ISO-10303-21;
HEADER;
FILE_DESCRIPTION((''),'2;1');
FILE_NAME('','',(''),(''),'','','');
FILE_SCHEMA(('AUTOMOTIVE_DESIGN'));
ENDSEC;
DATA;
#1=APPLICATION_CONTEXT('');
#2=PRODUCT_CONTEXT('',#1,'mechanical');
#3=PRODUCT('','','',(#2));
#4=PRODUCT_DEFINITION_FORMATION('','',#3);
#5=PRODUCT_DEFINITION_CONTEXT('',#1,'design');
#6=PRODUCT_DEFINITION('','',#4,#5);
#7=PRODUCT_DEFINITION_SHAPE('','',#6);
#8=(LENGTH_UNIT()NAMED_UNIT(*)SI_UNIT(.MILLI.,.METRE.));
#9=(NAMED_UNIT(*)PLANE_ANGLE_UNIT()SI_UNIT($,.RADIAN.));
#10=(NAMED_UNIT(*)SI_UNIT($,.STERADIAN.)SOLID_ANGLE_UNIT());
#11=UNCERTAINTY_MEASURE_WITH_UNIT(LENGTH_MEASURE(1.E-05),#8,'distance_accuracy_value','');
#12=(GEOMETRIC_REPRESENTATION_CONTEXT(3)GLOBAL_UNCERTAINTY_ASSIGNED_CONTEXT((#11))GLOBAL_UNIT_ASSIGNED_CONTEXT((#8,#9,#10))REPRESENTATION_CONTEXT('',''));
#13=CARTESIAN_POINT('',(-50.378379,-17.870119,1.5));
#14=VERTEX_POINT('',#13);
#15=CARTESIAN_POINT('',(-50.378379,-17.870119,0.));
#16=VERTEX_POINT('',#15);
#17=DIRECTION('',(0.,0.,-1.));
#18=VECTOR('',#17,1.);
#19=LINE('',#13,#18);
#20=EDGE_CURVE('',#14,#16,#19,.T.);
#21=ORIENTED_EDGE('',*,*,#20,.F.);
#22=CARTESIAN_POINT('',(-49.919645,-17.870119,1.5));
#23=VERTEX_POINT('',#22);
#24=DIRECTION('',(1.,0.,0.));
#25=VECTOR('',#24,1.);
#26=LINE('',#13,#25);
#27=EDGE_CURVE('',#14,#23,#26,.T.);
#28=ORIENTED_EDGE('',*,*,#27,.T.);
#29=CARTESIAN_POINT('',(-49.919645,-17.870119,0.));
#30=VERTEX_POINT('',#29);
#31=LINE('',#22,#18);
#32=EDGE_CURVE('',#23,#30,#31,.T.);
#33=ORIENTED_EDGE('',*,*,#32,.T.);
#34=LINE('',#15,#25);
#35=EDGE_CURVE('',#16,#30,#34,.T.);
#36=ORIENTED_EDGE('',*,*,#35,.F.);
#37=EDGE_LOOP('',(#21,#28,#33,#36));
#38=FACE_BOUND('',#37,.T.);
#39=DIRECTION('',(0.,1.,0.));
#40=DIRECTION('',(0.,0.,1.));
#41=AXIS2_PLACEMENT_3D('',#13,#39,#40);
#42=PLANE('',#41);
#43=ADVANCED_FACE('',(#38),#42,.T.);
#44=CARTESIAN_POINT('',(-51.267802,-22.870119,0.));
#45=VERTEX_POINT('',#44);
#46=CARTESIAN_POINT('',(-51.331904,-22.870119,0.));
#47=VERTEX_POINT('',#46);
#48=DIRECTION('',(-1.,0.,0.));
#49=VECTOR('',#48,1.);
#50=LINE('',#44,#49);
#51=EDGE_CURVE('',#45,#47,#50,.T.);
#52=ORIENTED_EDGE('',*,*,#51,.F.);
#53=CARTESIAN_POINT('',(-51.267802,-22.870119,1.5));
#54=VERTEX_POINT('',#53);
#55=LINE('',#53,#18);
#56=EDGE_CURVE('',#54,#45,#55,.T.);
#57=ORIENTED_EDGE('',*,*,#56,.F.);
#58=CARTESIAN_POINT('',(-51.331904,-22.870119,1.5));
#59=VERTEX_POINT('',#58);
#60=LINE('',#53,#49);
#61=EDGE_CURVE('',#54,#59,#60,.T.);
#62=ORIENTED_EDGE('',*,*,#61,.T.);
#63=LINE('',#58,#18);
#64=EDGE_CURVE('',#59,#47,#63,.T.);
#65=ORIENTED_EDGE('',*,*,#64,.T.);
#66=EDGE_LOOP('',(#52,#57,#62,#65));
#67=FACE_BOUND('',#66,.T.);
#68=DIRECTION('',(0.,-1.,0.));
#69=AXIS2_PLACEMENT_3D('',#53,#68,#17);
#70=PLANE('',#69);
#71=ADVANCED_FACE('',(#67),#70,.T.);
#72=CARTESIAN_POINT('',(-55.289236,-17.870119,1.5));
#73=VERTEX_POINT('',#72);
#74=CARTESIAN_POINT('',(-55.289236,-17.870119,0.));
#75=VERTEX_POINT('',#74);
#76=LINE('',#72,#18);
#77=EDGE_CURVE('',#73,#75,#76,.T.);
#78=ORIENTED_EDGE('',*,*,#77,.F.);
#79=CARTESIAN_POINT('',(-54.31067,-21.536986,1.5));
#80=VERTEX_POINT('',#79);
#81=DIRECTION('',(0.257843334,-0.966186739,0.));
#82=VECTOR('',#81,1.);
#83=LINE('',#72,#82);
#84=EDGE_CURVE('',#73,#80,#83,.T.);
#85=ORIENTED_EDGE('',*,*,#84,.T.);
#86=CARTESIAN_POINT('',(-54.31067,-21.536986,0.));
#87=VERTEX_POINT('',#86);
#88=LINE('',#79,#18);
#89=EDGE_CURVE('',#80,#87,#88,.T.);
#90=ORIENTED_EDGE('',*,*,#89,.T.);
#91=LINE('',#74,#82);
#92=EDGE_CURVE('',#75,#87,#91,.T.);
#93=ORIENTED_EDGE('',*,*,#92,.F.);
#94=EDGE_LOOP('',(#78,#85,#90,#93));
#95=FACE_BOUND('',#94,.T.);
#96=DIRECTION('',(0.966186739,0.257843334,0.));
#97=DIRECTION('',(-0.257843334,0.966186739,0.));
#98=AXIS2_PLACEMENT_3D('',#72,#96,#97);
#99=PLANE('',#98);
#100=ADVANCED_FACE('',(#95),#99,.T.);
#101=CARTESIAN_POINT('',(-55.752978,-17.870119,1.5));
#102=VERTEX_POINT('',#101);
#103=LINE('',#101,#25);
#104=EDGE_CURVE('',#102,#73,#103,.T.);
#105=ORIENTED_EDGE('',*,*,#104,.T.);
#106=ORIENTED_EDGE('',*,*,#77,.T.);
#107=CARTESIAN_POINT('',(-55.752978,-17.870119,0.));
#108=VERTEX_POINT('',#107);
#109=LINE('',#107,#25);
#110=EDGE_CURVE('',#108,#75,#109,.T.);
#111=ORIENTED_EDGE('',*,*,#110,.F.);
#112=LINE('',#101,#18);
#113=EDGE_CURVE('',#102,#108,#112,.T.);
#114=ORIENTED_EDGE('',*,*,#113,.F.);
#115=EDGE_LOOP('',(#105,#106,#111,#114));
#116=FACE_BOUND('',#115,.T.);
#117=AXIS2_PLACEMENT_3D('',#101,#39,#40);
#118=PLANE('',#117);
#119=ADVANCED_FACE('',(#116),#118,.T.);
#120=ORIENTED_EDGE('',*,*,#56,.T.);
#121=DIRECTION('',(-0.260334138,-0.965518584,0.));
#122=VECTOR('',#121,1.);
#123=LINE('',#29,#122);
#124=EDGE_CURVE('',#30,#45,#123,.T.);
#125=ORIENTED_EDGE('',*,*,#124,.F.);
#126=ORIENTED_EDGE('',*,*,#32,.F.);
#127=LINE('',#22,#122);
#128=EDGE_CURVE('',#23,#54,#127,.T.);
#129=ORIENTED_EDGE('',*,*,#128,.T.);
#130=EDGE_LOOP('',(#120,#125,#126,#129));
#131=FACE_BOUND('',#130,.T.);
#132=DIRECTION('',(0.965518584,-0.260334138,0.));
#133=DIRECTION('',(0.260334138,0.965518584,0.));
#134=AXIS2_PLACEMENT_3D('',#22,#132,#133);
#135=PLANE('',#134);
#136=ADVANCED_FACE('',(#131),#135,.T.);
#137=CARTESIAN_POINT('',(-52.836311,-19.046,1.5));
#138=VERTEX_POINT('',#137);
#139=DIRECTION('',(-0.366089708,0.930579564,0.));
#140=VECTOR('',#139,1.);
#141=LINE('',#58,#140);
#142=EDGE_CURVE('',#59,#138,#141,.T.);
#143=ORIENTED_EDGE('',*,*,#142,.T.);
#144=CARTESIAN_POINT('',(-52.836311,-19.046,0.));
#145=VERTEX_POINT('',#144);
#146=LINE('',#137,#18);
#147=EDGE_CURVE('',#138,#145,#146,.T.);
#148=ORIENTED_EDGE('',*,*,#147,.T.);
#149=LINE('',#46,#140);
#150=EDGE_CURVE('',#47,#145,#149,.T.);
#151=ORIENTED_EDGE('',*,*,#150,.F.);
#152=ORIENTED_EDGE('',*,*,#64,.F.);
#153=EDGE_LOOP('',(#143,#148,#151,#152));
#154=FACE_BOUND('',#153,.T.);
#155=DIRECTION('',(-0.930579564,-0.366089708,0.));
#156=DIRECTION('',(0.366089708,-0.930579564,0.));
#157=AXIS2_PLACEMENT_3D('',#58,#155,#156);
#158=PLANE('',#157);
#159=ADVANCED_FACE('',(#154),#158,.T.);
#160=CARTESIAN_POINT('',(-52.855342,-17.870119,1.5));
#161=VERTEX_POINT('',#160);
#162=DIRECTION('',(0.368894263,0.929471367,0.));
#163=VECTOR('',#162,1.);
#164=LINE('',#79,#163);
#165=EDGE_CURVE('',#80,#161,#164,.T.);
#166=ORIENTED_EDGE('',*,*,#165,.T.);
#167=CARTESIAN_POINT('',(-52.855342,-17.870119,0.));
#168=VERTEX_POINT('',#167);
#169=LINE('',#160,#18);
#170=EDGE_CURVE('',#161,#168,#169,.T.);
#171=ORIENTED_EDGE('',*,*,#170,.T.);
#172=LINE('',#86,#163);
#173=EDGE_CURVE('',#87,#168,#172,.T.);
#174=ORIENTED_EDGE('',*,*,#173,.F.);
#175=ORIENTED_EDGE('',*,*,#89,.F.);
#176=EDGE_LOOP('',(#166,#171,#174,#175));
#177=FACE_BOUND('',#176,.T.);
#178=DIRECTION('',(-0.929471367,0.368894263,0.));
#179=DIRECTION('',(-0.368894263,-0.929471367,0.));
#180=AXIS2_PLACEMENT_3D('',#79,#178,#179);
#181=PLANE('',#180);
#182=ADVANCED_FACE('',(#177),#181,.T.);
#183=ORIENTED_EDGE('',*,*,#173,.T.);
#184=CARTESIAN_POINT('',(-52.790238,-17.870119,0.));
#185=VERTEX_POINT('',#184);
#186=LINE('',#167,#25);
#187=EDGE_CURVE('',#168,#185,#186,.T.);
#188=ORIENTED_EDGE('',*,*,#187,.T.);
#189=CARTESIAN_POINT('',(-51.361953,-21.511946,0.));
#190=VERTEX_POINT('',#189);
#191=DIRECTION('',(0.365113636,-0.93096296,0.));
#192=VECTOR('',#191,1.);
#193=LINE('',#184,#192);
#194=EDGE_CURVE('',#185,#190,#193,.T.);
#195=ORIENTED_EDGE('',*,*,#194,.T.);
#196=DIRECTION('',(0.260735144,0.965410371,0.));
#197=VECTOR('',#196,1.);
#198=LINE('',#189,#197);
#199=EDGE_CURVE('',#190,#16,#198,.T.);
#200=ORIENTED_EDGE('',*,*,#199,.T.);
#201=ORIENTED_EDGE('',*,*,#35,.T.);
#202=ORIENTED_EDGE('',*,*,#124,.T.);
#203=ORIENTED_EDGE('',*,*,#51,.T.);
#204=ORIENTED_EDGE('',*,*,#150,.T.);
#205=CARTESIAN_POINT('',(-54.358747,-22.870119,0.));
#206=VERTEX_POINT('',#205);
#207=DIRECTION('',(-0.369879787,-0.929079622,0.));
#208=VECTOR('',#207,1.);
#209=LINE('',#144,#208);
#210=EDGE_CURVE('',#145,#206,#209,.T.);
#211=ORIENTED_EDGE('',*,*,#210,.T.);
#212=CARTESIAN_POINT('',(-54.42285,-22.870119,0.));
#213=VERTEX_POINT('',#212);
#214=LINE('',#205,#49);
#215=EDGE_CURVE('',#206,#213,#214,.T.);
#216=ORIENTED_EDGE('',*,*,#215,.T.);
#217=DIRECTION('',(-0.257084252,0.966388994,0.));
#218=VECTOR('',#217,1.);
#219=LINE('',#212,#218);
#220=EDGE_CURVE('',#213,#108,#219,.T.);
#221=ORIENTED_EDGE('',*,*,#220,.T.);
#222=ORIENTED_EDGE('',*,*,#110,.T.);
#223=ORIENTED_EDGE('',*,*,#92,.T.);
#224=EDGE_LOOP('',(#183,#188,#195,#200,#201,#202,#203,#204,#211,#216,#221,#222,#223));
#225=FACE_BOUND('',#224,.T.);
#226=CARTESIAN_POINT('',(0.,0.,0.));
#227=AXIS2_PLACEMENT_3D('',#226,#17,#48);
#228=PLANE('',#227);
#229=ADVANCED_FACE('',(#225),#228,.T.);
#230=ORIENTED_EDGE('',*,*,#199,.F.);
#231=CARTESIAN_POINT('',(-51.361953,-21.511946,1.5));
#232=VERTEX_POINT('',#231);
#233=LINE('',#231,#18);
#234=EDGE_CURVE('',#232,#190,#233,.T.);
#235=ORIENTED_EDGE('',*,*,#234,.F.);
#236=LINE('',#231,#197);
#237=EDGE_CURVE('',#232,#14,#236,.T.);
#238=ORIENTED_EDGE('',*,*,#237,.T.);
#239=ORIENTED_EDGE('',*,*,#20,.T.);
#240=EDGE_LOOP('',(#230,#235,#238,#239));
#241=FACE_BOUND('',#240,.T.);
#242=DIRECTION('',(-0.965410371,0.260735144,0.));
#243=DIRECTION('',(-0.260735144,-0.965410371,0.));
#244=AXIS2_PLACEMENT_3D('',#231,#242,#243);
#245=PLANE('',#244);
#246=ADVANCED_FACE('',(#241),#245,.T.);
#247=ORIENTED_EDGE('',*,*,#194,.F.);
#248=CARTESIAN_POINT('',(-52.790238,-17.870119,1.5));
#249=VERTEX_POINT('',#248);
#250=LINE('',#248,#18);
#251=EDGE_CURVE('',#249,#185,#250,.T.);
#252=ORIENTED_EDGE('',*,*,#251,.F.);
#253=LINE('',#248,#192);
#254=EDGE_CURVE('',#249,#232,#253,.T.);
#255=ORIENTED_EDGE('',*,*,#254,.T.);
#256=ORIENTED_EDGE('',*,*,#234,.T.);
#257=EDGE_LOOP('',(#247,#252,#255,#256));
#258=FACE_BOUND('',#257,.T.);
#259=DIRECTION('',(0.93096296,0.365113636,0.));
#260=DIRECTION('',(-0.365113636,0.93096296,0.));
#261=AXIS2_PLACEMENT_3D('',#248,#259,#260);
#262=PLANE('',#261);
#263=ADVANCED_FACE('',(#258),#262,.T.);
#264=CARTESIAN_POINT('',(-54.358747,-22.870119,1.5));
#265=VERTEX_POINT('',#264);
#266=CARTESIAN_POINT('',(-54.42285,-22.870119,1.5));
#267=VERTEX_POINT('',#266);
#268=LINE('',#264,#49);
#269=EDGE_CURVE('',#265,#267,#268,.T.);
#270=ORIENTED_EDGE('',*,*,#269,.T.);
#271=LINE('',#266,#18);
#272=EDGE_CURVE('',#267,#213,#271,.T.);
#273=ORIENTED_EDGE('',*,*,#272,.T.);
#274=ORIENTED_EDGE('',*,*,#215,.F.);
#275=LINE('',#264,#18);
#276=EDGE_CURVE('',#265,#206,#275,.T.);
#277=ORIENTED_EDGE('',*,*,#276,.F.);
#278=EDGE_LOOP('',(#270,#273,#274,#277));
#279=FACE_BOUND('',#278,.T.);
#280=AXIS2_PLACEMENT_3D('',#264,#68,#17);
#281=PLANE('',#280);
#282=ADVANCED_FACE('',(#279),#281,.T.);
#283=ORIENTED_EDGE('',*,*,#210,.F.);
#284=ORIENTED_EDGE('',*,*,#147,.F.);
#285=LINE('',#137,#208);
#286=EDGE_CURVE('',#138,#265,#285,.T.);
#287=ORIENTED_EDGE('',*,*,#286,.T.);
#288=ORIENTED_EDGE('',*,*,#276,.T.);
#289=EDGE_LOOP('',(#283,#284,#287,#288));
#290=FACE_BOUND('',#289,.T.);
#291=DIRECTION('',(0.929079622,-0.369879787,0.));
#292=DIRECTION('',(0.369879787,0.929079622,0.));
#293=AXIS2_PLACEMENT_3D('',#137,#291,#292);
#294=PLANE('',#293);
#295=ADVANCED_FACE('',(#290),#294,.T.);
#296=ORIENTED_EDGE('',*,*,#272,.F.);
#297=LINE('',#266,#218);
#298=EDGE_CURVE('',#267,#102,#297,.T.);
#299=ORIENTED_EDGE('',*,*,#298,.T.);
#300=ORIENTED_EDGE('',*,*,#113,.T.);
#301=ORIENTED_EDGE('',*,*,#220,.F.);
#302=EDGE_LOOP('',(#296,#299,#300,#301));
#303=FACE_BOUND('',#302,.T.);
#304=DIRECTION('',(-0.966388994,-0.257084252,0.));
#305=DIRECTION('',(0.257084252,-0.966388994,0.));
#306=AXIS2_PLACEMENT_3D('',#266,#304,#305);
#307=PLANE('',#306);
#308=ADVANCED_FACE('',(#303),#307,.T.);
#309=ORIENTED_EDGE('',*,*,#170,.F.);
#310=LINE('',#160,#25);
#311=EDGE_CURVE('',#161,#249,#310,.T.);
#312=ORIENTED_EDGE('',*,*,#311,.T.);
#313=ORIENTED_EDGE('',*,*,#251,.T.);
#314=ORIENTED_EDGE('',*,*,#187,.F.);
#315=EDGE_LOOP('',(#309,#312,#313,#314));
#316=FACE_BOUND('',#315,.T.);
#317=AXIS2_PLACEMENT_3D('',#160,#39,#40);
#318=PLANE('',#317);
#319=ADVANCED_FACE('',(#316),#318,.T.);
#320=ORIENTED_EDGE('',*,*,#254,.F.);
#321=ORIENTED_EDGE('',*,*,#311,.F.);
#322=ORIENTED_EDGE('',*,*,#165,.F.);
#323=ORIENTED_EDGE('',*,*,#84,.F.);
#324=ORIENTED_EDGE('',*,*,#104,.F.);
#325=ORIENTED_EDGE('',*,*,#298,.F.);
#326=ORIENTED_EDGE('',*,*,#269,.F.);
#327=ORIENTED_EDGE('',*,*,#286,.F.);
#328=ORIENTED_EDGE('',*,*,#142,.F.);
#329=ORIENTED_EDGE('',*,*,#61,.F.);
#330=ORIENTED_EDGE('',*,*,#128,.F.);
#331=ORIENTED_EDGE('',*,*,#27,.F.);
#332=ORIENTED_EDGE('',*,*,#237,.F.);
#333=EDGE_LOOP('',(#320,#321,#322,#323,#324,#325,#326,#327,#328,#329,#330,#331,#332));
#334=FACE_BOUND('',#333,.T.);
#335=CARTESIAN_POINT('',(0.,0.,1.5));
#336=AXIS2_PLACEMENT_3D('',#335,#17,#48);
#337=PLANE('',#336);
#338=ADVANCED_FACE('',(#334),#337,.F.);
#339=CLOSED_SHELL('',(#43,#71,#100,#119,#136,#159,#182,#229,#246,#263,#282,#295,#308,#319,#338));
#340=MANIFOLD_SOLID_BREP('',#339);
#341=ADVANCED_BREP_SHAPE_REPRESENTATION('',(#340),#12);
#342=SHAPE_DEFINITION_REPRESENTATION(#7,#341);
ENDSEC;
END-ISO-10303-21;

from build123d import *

# Parameters (mm, degrees)
BOSS_EXTRU_1_DEPTH = 1.5


with BuildPart() as part:
    # Esquisse1 → Boss.-Extru.1 (new body)
    with BuildSketch(Plane.XY):
        Polygon((-55.752978146, -17.870119076), (-55.289236159, -17.870119076), (-54.310670454, -21.536986063), (-52.855341928, -17.870119076), (-52.790237762, -17.870119076), (-51.361952505, -21.511945999), (-50.378378787, -17.870119076), (-49.919644813, -17.870119076), (-51.267801864, -22.870119076), (-51.331904428, -22.870119076), (-52.83631148, -19.046000486), (-54.358747377, -22.870119076), (-54.422849941, -22.870119076), align=None)
    extrude(amount=BOSS_EXTRU_1_DEPTH)


solid = part.part
